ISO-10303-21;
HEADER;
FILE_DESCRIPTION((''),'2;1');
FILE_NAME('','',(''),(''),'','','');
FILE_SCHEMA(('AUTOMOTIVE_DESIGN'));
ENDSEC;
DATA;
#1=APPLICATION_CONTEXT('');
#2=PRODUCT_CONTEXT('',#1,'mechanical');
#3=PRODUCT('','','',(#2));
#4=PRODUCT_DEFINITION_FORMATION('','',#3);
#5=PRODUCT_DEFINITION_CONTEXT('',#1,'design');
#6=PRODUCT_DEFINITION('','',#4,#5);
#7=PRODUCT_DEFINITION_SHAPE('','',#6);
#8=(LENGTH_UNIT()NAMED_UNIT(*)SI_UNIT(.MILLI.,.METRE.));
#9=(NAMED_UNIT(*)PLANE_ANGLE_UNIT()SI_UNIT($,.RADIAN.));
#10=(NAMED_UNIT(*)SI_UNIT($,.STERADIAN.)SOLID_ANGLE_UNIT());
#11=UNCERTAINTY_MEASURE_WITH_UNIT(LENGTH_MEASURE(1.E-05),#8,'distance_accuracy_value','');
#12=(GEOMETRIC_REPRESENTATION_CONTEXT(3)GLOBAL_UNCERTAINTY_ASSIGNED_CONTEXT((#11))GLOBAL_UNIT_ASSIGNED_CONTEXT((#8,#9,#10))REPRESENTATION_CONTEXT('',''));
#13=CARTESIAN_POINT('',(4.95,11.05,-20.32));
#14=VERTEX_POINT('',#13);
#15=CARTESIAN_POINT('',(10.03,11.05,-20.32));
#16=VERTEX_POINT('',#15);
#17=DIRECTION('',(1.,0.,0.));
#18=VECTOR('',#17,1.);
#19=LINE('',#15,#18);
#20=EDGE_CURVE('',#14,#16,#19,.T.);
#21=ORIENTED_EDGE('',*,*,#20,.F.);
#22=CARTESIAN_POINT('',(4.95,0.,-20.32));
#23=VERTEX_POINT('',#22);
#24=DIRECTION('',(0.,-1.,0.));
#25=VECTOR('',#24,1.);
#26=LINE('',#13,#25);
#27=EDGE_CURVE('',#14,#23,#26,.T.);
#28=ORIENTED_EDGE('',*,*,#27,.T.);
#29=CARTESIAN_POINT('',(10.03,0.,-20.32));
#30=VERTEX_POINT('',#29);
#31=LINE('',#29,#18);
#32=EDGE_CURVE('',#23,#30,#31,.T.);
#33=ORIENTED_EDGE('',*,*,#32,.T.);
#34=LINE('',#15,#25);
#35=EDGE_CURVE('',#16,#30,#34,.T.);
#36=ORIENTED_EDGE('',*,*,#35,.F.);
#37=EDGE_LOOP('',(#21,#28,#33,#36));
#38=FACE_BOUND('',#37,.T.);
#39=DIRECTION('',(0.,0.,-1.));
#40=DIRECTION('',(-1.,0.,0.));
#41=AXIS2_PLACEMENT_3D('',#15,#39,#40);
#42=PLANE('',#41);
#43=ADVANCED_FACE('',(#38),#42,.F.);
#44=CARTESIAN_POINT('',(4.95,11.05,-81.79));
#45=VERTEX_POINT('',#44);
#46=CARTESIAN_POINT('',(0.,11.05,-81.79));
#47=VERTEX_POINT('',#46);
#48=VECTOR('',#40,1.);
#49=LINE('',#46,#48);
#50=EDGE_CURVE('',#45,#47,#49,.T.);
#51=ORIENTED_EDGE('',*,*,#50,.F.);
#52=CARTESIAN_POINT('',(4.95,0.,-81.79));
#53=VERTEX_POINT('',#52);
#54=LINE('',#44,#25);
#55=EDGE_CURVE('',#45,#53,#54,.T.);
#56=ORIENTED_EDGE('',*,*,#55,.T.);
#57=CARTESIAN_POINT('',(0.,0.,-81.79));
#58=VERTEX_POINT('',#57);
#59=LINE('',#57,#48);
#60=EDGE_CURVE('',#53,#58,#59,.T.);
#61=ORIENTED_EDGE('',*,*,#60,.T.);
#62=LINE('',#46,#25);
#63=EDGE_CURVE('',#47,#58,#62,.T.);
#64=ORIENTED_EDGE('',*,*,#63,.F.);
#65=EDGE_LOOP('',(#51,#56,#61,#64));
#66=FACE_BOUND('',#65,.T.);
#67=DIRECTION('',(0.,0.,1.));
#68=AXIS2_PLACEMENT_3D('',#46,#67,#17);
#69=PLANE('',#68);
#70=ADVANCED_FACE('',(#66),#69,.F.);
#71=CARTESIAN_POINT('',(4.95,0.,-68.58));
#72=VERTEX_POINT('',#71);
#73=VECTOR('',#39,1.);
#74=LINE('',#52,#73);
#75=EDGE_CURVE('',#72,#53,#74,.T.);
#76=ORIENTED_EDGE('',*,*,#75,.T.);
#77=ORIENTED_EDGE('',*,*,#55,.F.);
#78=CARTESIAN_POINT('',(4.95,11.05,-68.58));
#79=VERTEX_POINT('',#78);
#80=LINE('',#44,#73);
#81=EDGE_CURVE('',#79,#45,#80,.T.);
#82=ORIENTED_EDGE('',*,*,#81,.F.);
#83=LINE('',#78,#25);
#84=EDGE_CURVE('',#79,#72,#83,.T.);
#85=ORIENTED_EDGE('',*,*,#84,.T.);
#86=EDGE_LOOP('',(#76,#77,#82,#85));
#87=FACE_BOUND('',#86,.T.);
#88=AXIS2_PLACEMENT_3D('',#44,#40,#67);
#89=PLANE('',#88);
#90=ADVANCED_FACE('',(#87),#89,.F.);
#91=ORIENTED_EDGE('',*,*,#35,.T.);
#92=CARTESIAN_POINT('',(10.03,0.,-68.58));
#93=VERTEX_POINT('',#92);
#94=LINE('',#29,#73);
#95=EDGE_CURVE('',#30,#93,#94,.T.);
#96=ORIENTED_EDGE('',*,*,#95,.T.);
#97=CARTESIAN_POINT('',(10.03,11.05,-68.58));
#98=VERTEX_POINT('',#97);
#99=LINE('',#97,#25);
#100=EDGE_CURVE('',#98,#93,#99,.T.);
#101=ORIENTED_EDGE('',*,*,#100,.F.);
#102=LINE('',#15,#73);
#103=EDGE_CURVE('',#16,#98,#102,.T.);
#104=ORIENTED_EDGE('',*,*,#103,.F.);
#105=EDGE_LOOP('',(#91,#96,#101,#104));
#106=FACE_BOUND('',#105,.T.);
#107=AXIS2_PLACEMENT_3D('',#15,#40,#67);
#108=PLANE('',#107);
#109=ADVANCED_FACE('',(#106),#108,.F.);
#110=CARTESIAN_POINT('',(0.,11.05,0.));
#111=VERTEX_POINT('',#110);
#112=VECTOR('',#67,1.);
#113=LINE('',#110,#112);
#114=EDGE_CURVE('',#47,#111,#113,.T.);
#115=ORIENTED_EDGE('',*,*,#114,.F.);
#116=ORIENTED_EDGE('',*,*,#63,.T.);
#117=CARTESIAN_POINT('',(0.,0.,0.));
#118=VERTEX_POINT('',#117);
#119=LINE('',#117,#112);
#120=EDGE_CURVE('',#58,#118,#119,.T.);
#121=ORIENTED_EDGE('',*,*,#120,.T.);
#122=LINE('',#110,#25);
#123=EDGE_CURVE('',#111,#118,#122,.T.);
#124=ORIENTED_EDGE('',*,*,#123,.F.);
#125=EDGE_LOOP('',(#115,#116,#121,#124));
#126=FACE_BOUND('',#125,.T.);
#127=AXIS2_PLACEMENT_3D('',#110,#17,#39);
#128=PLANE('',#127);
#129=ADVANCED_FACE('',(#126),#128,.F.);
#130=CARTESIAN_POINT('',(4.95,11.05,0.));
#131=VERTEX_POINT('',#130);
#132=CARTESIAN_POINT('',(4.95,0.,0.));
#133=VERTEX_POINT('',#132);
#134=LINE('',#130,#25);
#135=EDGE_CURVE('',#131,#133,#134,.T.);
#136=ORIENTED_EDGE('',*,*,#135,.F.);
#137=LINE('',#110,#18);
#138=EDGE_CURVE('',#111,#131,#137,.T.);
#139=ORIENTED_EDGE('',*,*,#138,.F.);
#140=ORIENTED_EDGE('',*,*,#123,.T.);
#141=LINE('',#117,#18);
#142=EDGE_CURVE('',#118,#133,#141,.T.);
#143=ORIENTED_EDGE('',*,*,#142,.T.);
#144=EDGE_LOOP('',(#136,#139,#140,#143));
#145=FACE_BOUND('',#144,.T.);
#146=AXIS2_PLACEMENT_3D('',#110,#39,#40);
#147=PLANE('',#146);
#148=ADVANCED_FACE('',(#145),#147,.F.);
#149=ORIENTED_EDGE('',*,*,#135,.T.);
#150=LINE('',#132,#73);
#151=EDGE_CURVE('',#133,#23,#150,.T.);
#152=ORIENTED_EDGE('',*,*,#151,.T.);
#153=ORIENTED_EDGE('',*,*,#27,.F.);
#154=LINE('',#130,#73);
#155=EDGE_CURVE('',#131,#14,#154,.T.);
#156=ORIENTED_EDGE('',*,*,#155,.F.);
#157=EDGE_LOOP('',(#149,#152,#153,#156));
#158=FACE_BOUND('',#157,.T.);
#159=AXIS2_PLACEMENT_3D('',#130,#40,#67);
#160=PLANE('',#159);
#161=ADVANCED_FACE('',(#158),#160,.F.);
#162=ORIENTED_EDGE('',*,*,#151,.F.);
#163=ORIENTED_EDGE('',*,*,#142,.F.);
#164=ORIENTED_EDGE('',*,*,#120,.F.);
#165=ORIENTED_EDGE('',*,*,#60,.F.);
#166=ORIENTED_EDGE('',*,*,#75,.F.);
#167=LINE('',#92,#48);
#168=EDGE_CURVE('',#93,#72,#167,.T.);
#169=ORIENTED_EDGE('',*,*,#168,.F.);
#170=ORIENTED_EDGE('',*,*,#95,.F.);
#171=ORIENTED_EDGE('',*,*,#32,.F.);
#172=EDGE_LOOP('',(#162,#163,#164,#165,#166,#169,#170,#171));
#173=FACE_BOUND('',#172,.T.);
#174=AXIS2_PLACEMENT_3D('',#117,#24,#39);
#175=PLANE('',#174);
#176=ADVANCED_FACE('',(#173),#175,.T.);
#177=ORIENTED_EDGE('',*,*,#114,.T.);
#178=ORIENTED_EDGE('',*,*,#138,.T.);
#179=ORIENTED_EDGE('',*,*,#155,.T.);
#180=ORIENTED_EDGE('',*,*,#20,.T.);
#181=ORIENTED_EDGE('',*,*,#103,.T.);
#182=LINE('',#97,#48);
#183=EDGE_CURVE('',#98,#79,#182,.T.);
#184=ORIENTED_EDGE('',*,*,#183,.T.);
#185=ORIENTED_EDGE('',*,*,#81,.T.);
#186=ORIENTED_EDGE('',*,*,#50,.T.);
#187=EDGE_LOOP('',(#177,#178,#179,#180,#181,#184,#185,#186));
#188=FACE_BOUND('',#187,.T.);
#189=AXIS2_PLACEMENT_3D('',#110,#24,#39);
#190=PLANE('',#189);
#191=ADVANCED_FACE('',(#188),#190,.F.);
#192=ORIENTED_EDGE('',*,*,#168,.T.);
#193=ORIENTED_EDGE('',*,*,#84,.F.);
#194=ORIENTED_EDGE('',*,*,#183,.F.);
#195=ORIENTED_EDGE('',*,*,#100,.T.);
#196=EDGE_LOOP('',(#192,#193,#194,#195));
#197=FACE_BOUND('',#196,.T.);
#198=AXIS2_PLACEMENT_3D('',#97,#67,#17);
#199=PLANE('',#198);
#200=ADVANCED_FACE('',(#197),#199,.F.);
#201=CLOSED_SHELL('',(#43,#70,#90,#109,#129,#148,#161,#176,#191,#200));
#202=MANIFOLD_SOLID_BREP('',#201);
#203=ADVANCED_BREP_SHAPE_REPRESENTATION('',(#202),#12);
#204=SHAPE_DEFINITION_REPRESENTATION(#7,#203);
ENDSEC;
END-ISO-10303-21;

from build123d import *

# Parameters (mm, degrees)
BOSS_EXTRUDE1_DEPTH = 11.05


with BuildPart() as part:
    # Sketch2 → Boss-Extrude1 (new body)
    with BuildSketch(Plane(origin=(0, 0, 0), x_dir=(1, 0, 0), z_dir=(0, 1, 0))):
        Polygon((0, 0), (4.95, 0), (4.95, 20.32), (10.03, 20.32), (10.03, 68.58), (4.95, 68.58), (4.95, 81.79), (0, 81.79), align=None)
    extrude(amount=BOSS_EXTRUDE1_DEPTH)


solid = part.part
